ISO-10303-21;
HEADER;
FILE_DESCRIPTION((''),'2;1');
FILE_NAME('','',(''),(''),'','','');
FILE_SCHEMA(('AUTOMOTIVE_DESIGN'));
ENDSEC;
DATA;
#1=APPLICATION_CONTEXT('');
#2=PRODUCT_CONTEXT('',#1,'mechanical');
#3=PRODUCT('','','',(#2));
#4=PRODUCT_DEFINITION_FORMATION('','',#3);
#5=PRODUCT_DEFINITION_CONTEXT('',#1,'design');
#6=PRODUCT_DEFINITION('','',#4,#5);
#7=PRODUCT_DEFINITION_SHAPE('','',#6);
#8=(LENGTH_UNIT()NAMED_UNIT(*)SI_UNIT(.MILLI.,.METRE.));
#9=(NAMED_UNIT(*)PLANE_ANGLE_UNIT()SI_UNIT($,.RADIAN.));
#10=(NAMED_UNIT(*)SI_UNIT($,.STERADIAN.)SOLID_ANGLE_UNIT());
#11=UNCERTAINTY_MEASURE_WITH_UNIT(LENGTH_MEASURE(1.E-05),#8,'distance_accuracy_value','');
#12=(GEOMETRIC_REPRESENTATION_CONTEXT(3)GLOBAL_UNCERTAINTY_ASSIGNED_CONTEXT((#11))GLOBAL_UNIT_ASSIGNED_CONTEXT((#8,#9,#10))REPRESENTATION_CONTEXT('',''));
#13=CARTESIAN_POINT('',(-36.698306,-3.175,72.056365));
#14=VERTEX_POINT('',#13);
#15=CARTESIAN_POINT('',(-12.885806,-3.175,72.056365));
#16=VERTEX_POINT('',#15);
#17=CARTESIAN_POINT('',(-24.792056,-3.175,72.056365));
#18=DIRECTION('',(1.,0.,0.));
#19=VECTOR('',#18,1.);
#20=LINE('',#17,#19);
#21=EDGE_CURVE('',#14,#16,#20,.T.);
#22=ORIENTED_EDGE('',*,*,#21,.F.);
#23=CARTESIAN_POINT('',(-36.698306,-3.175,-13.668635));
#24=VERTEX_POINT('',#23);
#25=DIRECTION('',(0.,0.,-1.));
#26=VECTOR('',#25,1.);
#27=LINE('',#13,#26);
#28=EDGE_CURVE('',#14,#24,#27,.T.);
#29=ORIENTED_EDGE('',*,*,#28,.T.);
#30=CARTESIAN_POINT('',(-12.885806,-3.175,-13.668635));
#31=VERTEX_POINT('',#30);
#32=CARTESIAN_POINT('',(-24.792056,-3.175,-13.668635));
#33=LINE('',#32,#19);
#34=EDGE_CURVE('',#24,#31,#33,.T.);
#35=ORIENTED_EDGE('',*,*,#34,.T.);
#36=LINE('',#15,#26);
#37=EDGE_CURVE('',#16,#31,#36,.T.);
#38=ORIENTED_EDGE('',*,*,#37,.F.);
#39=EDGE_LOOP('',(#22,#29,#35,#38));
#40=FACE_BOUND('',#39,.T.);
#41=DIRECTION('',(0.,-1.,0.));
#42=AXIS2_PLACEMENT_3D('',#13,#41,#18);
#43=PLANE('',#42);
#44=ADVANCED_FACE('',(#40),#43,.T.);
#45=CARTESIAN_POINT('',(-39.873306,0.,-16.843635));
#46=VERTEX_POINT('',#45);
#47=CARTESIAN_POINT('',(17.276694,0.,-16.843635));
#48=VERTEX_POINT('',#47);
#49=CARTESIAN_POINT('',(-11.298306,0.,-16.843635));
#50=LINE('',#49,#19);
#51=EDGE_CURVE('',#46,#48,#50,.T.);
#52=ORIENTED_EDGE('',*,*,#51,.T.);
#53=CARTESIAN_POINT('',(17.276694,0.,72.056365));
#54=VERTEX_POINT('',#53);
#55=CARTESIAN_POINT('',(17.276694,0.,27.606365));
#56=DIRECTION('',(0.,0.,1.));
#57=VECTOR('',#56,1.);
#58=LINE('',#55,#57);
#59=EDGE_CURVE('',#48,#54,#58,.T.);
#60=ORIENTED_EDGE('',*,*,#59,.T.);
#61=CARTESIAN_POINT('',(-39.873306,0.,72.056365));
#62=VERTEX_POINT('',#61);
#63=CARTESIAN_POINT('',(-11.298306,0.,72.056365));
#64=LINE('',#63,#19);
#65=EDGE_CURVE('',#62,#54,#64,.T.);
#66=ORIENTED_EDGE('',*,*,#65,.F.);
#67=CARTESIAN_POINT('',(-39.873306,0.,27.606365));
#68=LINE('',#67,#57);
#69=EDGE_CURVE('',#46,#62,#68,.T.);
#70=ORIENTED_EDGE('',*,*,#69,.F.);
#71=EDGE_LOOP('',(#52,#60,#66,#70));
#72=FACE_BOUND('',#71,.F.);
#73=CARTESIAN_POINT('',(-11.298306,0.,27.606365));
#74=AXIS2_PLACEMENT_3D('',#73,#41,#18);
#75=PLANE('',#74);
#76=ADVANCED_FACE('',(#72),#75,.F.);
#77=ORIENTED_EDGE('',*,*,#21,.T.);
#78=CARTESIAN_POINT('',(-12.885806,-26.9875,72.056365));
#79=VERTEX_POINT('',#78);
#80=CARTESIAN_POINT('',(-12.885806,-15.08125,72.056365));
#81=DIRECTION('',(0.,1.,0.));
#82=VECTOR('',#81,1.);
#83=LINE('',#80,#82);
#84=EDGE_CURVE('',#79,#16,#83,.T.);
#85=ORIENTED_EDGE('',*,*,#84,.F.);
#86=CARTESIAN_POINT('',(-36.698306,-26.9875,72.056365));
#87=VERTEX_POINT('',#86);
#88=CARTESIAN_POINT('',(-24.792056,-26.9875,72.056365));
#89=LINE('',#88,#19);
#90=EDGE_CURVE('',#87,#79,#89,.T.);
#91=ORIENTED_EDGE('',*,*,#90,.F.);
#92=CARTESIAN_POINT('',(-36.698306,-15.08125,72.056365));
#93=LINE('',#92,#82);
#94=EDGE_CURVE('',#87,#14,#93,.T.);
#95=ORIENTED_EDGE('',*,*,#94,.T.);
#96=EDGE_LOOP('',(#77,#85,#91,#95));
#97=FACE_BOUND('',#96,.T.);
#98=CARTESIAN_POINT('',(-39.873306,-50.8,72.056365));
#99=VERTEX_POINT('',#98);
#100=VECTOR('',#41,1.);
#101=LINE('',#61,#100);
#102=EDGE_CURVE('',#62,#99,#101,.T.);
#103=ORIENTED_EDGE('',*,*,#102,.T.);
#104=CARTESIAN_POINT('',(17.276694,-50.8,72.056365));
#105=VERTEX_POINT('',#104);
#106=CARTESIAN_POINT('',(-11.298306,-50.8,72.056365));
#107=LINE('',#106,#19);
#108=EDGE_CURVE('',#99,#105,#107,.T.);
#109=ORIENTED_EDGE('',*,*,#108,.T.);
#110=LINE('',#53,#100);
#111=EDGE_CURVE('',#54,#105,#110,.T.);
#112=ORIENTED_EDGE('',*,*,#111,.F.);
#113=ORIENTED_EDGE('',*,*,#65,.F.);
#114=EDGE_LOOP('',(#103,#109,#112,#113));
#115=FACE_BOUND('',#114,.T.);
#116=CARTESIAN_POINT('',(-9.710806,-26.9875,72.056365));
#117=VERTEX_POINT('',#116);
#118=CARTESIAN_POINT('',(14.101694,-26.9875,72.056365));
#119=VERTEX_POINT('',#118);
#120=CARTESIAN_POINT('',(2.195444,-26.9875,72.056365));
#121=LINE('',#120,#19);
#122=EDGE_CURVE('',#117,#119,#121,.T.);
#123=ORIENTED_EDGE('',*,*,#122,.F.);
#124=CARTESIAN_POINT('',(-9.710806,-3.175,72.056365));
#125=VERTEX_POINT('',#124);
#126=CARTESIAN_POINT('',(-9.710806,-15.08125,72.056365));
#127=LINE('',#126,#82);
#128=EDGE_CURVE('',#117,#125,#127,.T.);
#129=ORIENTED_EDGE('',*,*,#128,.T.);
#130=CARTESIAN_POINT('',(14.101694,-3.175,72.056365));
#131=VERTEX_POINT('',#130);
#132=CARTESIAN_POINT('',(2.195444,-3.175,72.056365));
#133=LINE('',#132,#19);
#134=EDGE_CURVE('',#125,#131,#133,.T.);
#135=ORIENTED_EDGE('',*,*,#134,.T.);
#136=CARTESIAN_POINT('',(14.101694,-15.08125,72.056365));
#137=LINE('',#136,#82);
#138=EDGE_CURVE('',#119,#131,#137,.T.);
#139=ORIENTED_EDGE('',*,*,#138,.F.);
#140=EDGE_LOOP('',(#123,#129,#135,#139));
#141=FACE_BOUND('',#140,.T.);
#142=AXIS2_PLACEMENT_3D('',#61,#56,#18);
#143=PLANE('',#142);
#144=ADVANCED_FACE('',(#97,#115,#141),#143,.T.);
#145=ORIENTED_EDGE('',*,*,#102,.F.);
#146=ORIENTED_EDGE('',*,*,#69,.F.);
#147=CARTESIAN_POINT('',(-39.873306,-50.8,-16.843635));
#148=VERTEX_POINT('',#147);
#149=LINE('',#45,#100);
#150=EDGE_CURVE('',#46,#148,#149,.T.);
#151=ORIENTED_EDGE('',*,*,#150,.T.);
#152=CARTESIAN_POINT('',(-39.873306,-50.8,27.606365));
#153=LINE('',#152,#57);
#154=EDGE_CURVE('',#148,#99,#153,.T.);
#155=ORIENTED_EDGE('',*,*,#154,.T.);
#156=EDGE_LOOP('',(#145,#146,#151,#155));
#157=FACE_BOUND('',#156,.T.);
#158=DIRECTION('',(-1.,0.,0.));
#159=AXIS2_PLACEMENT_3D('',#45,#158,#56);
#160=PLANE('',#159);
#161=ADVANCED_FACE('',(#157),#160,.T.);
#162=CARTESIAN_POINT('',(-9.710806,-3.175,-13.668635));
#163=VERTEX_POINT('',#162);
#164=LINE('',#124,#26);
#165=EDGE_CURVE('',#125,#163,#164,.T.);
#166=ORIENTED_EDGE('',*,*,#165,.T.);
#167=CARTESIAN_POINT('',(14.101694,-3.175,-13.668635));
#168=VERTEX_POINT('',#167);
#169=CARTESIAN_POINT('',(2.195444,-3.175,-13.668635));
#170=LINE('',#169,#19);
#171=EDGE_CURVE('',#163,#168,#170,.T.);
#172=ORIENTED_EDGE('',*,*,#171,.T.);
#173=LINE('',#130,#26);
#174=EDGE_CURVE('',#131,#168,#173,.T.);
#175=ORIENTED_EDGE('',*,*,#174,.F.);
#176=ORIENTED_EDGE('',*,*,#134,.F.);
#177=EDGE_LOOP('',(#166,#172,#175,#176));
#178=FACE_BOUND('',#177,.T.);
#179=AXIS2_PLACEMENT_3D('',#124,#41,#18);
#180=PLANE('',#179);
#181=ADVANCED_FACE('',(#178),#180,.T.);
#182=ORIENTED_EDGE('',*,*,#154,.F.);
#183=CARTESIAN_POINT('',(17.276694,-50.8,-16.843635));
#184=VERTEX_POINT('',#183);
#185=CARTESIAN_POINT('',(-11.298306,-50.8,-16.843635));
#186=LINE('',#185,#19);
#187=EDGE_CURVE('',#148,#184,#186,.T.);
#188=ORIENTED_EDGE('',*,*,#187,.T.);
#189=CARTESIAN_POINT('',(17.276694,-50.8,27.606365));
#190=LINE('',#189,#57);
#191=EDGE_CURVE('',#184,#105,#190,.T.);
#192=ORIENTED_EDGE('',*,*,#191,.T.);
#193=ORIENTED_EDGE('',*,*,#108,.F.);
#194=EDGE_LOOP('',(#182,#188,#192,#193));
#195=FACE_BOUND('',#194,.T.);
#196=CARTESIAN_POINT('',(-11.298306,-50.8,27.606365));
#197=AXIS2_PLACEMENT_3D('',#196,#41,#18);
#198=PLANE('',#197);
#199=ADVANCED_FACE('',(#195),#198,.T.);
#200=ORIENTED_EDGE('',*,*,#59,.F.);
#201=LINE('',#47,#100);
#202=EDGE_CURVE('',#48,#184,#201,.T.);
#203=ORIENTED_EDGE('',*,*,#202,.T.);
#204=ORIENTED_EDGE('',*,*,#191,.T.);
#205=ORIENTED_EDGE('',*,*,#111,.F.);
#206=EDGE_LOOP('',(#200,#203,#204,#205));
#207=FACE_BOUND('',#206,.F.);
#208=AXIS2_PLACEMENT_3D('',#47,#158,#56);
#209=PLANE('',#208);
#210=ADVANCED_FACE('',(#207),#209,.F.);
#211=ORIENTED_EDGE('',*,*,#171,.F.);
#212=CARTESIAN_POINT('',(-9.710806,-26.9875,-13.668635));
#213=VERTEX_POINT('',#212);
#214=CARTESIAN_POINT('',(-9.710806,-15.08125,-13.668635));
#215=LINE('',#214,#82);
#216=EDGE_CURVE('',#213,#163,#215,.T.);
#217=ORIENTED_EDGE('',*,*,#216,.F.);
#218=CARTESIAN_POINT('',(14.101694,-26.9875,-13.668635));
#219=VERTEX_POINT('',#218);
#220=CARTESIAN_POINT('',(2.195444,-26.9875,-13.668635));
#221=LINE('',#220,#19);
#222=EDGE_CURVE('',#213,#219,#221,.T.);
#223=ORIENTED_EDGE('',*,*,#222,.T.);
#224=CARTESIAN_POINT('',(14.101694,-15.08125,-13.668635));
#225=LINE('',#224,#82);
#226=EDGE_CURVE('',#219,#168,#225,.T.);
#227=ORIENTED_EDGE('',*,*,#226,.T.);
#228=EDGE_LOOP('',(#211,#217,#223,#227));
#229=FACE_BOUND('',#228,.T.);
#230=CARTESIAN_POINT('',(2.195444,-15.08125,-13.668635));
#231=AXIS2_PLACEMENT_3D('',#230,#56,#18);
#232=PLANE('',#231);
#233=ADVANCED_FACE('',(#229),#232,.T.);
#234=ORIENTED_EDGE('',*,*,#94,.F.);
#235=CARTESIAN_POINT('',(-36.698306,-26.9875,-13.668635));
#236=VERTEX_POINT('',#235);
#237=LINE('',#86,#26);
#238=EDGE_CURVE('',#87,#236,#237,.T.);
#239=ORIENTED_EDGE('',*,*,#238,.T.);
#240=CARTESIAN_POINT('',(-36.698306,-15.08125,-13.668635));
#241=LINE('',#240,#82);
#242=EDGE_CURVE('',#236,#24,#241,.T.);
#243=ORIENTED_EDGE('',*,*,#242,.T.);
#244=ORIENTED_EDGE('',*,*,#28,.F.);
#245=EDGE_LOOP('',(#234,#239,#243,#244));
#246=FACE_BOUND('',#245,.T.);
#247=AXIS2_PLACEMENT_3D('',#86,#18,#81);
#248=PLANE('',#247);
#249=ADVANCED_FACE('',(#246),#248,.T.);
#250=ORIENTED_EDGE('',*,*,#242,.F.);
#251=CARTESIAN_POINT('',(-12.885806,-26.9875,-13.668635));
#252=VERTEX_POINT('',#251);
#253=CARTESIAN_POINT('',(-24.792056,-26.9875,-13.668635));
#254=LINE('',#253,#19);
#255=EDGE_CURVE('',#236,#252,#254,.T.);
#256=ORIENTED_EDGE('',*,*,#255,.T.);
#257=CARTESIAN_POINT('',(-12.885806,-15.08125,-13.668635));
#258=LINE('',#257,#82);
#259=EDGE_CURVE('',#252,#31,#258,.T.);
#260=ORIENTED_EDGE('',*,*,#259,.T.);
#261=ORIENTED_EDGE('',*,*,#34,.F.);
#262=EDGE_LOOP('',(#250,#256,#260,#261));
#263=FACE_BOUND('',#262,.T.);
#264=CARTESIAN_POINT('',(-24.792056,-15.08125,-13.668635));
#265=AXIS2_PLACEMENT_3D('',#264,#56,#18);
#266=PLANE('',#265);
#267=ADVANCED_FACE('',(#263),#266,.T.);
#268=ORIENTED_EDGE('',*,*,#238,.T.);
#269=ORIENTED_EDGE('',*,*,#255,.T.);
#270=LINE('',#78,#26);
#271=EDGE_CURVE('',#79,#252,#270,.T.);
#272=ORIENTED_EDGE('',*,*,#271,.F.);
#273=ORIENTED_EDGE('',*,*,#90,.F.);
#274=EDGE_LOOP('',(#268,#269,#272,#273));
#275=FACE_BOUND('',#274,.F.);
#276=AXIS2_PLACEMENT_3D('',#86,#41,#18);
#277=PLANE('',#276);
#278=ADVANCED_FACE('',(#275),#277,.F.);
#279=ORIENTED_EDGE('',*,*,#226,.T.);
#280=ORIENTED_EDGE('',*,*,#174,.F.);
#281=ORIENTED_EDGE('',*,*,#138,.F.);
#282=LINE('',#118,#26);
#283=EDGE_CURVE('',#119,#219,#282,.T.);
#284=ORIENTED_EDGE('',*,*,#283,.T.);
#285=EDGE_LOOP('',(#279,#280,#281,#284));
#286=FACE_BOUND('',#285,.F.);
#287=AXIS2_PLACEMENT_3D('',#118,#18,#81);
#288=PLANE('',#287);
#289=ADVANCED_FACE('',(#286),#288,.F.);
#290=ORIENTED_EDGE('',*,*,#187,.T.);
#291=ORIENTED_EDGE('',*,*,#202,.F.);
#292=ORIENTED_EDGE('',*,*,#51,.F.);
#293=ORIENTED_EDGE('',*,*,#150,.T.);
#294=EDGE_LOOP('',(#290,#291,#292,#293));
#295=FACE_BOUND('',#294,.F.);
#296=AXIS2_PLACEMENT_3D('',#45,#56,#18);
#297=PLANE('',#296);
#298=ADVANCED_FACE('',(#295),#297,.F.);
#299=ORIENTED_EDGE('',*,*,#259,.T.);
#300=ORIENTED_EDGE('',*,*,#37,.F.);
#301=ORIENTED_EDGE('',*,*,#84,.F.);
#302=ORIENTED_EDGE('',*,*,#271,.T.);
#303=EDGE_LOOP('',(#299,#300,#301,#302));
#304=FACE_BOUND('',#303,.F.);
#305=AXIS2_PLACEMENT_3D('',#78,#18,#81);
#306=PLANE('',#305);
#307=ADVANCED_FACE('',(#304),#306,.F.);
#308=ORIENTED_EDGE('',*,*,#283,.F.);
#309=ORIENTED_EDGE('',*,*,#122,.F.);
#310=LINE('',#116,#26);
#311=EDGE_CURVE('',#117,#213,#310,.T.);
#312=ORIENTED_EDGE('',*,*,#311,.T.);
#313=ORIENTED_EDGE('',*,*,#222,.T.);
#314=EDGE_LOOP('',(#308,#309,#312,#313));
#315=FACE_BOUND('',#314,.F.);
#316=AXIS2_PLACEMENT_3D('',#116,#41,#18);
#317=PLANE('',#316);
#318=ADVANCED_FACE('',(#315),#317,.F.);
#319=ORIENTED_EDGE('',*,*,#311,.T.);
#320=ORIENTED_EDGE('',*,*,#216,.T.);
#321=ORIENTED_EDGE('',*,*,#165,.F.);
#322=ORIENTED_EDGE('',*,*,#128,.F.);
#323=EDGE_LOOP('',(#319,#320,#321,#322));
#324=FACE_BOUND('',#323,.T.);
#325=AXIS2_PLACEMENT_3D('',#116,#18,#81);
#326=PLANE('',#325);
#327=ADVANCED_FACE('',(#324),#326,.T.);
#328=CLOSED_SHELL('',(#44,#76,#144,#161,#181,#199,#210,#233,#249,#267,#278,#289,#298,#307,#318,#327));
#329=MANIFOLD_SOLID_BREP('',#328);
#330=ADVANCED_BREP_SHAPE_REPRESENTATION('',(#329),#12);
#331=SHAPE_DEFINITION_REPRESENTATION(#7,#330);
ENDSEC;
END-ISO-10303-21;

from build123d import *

# Parameters (mm, degrees)
F0_W     = 57.15
F0_H     = 88.9
F1_DEPTH = 50.8
F2_W     = 23.8125
F2_H     = 23.8125
F3_DEPTH = 85.725
F5_W     = 23.8125
F5_H     = 23.8125
F6_DEPTH = 85.725


with BuildPart() as f1:
    # F0 (on Front) → F1 (new body)
    with BuildSketch(Plane.XZ):
        with Locations((-11.298306, 27.606365)):
            Rectangle(F0_W, F0_H)
    extrude(amount=F1_DEPTH)

    # F2 (on face) → F3 (cut)
    with BuildSketch(Plane.XY.offset(72.056365)):
        with Locations((-24.792056, -15.08125)):
            Rectangle(F2_W, F2_H)
    extrude(amount=-F3_DEPTH, mode=Mode.SUBTRACT)

    # F5 (on face) → F6 (cut)
    with BuildSketch(Plane.XY.offset(72.056365)):
        with Locations((2.195444, -15.08125)):
            Rectangle(F5_W, F5_H)
    extrude(amount=-F6_DEPTH, mode=Mode.SUBTRACT)


solid = f1.part
